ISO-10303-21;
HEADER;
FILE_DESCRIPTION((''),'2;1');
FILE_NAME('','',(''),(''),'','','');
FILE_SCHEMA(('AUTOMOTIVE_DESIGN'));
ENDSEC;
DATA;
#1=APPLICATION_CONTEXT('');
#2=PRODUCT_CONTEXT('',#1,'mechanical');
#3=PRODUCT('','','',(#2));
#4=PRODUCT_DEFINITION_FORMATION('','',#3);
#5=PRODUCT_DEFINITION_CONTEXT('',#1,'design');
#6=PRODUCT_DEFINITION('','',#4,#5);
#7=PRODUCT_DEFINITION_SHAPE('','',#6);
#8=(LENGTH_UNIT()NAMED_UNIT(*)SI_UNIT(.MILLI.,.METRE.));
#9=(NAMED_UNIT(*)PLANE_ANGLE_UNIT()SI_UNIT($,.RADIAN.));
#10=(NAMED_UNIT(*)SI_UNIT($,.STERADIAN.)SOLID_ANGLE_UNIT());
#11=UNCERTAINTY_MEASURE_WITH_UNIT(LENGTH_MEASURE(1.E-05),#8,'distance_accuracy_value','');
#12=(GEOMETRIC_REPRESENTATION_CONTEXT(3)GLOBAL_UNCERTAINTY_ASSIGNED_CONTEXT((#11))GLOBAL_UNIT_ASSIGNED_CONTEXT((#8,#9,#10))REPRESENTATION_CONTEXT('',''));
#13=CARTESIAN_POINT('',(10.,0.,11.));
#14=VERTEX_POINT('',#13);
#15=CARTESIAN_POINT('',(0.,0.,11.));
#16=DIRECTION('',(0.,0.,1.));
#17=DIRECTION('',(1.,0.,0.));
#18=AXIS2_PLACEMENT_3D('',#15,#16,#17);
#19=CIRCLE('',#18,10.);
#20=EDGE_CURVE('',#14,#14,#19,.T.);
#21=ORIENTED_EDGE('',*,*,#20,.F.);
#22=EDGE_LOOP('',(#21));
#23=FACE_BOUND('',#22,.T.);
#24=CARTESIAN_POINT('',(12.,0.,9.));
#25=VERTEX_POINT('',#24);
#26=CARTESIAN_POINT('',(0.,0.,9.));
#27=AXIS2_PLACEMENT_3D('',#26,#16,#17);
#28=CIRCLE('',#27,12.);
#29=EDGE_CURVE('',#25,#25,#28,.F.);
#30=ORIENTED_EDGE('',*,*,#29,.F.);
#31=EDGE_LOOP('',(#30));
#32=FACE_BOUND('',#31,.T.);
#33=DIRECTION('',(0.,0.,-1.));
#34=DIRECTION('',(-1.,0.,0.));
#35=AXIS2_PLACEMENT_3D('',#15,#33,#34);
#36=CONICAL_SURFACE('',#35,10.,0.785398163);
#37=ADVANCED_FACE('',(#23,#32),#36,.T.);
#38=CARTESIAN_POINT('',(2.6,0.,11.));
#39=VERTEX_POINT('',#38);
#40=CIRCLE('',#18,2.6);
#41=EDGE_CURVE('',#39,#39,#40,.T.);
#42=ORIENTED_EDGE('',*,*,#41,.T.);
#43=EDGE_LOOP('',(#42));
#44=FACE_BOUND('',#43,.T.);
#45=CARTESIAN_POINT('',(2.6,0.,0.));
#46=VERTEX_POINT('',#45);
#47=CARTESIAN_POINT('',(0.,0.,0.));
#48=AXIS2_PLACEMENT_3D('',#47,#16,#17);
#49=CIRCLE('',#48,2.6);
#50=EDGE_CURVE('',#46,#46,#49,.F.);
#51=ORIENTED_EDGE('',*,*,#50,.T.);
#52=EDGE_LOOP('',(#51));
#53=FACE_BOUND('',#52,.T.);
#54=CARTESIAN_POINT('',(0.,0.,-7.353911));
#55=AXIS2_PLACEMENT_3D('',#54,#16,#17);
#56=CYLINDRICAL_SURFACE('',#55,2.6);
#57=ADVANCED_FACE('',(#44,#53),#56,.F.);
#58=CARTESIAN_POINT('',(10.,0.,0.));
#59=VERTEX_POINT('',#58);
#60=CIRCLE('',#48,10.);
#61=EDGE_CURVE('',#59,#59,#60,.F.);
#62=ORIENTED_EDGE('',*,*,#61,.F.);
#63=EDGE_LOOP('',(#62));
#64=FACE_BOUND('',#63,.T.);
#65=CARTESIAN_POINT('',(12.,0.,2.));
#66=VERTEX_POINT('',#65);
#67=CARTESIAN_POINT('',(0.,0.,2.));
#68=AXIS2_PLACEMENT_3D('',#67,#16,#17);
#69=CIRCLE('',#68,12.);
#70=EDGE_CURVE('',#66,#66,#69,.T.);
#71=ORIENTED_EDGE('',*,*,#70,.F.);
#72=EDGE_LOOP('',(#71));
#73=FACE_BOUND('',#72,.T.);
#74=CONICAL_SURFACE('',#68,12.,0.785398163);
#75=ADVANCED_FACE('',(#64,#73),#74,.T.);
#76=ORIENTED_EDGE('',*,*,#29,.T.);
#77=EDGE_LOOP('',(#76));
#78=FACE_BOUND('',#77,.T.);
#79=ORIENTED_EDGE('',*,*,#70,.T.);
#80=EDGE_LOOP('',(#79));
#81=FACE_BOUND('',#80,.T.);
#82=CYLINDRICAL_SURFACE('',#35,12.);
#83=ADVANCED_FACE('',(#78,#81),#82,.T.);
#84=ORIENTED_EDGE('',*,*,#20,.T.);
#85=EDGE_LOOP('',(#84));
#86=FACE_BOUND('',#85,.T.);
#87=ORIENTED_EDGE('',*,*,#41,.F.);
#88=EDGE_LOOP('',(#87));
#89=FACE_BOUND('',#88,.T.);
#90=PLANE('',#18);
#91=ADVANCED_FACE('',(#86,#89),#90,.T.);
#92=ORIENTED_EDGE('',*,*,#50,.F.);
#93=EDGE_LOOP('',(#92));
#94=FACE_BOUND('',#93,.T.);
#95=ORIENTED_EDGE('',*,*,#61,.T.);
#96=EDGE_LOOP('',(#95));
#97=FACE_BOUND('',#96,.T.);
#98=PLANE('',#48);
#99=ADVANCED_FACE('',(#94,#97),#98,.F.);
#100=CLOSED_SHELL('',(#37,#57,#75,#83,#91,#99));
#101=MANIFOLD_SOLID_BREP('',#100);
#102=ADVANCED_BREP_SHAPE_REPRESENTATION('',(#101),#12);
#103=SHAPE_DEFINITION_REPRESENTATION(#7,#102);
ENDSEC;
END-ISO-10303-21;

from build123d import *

# Parameters (mm, degrees)
SKETCH1_R           = 12
BOSS_EXTRUDE1_DEPTH = 11
CHAMFER1_SIZE       = 2
SKETCH2_R           = 2.6
CUT_EXTRUDE1_DEPTH  = 11


with BuildPart() as part:
    # Sketch1 → Boss-Extrude1 (new body)
    with BuildSketch(Plane.XY):
        Circle(SKETCH1_R)
    extrude(amount=BOSS_EXTRUDE1_DEPTH)

    # Chamfer1
    chamfer1_edges = [part.edges().sort_by_distance(p)[0] for p in [
        (-12, 0, 0),
        (-12, 0, 11),
    ]]
    chamfer(chamfer1_edges, length=CHAMFER1_SIZE)

    # Sketch2 → Cut-Extrude1 (cut)
    with BuildSketch(Plane.XY.offset(11)):
        Circle(SKETCH2_R)
    extrude(amount=-CUT_EXTRUDE1_DEPTH, mode=Mode.SUBTRACT)


solid = part.part
